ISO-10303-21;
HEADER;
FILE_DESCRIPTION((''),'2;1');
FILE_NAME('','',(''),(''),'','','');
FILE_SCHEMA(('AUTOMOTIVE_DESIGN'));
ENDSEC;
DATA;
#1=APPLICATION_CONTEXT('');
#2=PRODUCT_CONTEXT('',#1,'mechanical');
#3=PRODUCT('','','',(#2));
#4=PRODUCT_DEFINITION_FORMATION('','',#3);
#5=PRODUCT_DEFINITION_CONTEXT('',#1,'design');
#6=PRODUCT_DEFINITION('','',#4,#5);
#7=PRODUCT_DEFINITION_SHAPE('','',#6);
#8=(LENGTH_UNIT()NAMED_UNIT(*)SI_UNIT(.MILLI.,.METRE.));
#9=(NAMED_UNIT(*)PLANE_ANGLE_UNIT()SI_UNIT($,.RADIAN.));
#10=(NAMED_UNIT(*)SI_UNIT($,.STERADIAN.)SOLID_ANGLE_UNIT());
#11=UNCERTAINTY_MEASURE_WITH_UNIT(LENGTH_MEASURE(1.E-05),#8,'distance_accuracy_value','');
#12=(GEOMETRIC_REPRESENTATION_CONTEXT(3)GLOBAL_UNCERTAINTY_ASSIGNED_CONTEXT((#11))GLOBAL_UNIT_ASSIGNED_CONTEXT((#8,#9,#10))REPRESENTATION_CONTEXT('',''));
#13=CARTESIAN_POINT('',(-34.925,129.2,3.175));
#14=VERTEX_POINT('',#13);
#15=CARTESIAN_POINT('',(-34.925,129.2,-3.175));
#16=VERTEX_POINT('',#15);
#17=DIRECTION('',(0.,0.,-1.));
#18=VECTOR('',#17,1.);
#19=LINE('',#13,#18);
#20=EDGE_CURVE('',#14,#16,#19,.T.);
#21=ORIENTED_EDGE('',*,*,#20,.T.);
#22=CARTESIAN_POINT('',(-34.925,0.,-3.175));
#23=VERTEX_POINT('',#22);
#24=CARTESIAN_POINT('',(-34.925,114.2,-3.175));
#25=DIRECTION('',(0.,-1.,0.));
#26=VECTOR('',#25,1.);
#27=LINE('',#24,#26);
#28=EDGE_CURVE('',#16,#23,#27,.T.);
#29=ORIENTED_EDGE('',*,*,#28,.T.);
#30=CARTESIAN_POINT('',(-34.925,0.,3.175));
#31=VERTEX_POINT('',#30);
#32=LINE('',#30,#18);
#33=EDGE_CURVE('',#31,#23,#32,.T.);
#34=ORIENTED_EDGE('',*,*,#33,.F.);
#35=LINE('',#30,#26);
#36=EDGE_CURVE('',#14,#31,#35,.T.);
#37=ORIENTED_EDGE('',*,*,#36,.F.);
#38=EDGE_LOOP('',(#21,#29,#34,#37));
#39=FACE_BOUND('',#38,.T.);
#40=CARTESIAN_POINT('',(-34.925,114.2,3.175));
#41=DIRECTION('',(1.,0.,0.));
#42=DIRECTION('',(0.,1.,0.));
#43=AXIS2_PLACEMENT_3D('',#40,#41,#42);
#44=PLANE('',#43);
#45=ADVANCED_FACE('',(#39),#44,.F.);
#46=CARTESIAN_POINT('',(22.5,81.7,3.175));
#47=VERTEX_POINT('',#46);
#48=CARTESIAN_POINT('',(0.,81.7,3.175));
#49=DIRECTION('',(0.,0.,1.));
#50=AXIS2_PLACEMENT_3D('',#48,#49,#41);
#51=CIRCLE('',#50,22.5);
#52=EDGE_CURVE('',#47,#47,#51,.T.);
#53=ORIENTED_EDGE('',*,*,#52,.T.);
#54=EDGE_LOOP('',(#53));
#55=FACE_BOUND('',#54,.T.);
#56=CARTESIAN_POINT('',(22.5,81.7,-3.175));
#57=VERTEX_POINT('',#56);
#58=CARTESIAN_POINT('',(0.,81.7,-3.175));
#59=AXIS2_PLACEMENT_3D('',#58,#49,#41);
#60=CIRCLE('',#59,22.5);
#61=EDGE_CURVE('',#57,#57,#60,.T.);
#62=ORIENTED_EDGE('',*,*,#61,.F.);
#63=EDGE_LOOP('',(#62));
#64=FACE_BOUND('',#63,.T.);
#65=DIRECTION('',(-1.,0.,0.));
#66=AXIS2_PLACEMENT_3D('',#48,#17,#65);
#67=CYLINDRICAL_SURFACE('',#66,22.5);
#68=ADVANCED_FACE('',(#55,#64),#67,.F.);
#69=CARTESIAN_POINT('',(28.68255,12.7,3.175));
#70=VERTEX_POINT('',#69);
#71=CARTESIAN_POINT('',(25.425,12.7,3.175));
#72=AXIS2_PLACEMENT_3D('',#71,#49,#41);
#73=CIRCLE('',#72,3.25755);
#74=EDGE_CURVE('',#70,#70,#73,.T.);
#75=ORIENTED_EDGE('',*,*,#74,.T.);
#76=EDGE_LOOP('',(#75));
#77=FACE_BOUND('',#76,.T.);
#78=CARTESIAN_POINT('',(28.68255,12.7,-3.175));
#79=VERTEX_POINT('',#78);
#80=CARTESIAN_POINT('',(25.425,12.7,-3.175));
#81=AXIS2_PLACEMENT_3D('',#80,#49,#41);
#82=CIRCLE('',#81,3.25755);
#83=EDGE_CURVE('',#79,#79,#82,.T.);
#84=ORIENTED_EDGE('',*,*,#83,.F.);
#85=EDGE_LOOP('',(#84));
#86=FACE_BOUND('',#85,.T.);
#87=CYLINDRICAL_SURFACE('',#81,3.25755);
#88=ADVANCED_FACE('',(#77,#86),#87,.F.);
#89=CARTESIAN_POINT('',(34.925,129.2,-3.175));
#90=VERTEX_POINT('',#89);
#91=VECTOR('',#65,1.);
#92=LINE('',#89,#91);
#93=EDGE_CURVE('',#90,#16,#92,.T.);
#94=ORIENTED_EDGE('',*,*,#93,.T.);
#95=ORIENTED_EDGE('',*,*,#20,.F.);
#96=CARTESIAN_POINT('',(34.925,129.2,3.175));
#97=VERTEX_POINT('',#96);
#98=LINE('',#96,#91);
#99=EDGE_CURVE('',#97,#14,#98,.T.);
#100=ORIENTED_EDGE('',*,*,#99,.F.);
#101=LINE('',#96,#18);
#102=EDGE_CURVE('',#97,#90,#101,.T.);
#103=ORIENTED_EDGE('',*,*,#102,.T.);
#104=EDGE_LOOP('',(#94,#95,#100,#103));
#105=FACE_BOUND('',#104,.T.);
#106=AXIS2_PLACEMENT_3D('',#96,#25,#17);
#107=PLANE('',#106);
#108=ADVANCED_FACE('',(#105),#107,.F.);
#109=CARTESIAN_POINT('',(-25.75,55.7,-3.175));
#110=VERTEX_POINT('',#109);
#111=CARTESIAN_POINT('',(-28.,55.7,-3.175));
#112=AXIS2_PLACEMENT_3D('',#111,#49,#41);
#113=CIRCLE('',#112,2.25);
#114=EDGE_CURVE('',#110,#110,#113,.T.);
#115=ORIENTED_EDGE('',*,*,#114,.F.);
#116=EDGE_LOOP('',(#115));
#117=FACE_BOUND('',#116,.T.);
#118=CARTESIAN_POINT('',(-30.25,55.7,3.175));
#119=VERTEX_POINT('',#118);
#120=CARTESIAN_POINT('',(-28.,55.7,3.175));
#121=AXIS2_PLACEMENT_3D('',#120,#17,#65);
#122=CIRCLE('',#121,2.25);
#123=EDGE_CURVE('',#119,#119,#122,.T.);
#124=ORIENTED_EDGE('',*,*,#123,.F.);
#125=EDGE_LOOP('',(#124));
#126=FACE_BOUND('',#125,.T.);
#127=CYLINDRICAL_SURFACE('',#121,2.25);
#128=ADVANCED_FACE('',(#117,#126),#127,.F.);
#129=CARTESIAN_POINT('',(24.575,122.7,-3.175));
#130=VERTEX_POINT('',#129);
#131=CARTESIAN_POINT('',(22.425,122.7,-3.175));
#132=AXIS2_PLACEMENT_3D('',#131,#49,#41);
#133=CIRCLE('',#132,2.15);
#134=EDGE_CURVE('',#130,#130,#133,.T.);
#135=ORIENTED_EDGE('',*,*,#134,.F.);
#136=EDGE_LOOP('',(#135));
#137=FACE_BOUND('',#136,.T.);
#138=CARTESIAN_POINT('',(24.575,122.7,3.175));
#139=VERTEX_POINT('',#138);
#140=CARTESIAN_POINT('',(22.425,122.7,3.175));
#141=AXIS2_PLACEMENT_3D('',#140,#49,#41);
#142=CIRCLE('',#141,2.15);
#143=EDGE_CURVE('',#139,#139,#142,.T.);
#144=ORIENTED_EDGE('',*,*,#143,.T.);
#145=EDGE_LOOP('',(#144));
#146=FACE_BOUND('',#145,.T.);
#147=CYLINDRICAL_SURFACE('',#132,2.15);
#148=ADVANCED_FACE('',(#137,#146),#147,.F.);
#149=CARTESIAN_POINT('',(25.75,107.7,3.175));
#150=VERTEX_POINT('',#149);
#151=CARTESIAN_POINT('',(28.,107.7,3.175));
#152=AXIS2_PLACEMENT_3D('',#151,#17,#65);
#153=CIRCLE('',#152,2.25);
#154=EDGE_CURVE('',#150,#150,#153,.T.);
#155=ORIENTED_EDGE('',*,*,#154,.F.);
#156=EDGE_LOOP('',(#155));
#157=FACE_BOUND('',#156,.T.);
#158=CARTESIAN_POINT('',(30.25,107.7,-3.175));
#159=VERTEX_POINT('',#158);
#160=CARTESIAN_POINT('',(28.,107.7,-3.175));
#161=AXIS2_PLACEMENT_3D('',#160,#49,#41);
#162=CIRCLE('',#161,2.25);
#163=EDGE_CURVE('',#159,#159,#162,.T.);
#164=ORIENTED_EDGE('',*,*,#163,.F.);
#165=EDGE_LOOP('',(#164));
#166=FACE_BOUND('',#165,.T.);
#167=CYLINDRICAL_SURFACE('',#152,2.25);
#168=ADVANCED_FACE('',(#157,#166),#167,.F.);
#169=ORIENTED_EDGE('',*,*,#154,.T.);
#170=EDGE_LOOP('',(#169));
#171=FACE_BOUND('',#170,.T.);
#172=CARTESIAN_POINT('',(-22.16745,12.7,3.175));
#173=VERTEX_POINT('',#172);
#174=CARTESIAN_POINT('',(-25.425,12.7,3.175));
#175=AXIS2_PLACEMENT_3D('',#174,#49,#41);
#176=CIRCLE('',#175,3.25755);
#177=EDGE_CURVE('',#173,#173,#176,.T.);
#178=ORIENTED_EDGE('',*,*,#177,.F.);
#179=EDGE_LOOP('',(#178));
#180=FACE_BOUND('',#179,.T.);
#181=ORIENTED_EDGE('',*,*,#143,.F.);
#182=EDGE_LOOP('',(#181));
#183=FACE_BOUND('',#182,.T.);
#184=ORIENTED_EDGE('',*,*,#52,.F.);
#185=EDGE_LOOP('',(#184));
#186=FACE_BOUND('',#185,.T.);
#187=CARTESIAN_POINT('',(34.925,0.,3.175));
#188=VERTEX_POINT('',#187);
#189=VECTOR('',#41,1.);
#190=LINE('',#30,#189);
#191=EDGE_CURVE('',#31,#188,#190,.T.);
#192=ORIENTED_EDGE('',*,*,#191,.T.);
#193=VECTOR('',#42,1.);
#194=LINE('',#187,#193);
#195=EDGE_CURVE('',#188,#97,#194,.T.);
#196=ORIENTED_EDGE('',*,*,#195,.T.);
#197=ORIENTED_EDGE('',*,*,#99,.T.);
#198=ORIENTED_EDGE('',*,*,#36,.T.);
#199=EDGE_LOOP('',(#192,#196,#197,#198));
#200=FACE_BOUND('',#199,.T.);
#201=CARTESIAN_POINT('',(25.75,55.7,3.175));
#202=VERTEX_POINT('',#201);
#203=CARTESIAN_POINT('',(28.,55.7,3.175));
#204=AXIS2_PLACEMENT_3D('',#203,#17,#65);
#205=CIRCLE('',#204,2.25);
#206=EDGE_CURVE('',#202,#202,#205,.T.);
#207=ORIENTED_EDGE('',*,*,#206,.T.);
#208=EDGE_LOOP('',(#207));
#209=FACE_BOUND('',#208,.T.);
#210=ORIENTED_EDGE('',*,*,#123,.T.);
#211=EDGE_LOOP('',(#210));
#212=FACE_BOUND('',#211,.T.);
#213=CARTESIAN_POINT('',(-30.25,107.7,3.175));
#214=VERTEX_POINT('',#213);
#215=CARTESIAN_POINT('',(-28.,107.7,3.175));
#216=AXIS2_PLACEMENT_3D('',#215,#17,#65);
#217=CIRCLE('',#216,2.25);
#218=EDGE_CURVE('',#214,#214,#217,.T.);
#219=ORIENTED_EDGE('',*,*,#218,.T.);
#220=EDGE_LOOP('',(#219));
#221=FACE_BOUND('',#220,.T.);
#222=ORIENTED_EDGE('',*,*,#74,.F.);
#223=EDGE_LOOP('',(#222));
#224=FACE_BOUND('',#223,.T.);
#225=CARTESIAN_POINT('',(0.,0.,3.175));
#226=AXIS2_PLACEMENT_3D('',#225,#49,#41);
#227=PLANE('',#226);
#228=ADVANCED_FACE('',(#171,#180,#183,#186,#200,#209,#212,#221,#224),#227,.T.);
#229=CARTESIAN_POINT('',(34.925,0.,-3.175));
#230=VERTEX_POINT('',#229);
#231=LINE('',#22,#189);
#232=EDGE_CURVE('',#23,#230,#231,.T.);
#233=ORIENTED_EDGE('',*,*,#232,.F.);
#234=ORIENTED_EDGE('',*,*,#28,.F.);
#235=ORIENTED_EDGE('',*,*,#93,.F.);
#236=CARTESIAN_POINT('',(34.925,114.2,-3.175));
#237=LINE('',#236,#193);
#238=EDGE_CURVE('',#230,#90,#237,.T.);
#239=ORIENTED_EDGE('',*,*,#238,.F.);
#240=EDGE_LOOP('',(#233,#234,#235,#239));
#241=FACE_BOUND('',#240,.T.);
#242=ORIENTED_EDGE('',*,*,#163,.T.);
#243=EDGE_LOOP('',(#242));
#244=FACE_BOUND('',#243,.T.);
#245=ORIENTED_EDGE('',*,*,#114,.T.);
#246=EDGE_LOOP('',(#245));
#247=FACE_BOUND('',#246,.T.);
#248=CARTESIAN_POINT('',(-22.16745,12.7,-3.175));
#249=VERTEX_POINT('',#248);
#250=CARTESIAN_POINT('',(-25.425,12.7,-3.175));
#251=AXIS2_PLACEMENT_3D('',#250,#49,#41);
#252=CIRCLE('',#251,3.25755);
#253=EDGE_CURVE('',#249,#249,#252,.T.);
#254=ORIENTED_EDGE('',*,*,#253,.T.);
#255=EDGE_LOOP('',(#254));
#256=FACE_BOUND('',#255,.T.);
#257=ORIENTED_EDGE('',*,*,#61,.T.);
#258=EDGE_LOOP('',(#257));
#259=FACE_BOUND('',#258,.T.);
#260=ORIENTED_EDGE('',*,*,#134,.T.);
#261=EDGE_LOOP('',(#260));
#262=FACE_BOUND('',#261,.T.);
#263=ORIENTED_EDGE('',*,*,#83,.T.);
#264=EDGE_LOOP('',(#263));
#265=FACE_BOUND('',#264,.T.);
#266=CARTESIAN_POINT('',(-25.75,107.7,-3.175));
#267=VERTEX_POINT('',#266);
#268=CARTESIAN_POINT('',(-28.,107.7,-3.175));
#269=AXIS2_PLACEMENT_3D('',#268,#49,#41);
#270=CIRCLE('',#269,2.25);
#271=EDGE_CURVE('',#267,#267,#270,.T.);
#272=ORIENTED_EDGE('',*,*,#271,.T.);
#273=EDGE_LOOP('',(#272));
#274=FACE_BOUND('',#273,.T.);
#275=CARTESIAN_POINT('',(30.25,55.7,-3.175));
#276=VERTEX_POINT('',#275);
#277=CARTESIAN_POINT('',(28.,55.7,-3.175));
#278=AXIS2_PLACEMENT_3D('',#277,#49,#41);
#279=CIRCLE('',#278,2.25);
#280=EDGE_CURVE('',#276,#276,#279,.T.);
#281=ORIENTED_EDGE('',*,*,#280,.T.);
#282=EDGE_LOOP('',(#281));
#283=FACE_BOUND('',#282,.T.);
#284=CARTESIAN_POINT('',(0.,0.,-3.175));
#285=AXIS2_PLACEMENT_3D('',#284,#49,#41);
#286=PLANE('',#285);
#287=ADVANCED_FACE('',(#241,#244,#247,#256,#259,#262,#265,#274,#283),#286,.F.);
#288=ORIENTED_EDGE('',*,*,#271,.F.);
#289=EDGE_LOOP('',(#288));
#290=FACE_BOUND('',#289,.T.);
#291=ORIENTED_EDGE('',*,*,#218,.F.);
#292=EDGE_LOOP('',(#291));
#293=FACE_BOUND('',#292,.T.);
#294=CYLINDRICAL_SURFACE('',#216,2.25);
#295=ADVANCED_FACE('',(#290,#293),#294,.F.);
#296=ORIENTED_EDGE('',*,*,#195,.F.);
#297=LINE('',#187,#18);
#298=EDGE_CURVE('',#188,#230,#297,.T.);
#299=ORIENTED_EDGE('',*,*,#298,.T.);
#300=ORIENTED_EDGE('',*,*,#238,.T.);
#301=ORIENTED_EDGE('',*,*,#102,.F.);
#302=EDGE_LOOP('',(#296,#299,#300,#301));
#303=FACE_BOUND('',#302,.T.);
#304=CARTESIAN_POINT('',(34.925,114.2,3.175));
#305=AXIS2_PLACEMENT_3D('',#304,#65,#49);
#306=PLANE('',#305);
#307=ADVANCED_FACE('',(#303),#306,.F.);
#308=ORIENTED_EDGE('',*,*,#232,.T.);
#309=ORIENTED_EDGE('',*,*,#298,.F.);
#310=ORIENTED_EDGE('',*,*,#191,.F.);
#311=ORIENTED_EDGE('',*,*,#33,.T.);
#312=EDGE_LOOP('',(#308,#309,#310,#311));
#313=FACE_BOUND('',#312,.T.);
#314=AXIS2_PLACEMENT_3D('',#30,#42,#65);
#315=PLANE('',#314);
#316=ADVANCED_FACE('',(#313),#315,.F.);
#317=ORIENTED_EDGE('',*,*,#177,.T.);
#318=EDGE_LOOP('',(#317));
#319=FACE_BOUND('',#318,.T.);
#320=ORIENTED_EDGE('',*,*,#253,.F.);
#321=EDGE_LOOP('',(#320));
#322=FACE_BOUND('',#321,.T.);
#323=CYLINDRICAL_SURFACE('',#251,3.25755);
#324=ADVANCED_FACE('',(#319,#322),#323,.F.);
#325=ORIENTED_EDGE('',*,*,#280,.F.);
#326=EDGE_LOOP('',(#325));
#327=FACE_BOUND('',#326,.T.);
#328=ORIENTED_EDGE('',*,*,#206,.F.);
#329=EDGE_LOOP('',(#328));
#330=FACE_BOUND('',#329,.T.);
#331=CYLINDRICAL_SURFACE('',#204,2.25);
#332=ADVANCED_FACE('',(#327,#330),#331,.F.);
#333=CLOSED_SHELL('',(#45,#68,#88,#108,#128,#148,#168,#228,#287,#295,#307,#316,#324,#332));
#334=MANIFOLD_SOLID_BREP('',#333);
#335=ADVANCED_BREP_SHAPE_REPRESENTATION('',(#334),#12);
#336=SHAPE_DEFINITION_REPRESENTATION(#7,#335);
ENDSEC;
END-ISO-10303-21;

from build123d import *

# Parameters (mm, degrees)
SKETCH2_R               = 22.5
BOSS_EXTRUDE1_DEPTH     = 3.175
SKETCH3_R               = 3.25755
SKETCH3_R_2             = 2.15
CUT_EXTRUDE1_DEPTH      = 1
CUT_EXTRUDE1_DEPTH_BACK = 7.35
SKETCH4_R               = 2.25
CUT_EXTRUDE2_DEPTH      = 1
CUT_EXTRUDE2_DEPTH_BACK = 7.35


with BuildPart() as part:
    # Sketch2 → Boss-Extrude1 (new body, symmetric)
    with BuildSketch(Plane.XY):
        Polygon((-34.925, 0), (34.925, 0), (34.925, 81.7), (34.925, 114.2), (34.925, 129.2), (-34.925, 129.2), (-34.925, 114.2), (-34.925, 81.7), align=None)
        with Locations((0, 81.7)):
            Circle(SKETCH2_R, mode=Mode.SUBTRACT)
    extrude(amount=BOSS_EXTRUDE1_DEPTH, both=True)

    # Sketch3 → Cut-Extrude1 (cut, two sides)
    with BuildSketch(Plane.XY.offset(3.175)) as cut_extrude1_sk:
        with Locations((-25.425, 12.7)):
            Circle(SKETCH3_R)
        with Locations((25.425, 12.7)):
            Circle(SKETCH3_R)
        with Locations((22.425, 122.7)):
            Circle(SKETCH3_R_2)
    extrude(amount=CUT_EXTRUDE1_DEPTH, mode=Mode.SUBTRACT)
    extrude(cut_extrude1_sk.sketch, amount=-CUT_EXTRUDE1_DEPTH_BACK, mode=Mode.SUBTRACT)

    # Sketch4 → Cut-Extrude2 (cut, two sides)
    with BuildSketch(Plane(origin=(0, 0, -3.175), x_dir=(-1, 0, 0), z_dir=(0, 0, -1))) as cut_extrude2_sk:
        with Locations((-28, 107.7)):
            Circle(SKETCH4_R)
        with Locations((28, 107.7)):
            Circle(SKETCH4_R)
        with Locations((-28, 55.7)):
            Circle(SKETCH4_R)
        with Locations((28, 55.7)):
            Circle(SKETCH4_R)
    extrude(amount=CUT_EXTRUDE2_DEPTH, mode=Mode.SUBTRACT)
    extrude(cut_extrude2_sk.sketch, amount=-CUT_EXTRUDE2_DEPTH_BACK, mode=Mode.SUBTRACT)


solid = part.part
